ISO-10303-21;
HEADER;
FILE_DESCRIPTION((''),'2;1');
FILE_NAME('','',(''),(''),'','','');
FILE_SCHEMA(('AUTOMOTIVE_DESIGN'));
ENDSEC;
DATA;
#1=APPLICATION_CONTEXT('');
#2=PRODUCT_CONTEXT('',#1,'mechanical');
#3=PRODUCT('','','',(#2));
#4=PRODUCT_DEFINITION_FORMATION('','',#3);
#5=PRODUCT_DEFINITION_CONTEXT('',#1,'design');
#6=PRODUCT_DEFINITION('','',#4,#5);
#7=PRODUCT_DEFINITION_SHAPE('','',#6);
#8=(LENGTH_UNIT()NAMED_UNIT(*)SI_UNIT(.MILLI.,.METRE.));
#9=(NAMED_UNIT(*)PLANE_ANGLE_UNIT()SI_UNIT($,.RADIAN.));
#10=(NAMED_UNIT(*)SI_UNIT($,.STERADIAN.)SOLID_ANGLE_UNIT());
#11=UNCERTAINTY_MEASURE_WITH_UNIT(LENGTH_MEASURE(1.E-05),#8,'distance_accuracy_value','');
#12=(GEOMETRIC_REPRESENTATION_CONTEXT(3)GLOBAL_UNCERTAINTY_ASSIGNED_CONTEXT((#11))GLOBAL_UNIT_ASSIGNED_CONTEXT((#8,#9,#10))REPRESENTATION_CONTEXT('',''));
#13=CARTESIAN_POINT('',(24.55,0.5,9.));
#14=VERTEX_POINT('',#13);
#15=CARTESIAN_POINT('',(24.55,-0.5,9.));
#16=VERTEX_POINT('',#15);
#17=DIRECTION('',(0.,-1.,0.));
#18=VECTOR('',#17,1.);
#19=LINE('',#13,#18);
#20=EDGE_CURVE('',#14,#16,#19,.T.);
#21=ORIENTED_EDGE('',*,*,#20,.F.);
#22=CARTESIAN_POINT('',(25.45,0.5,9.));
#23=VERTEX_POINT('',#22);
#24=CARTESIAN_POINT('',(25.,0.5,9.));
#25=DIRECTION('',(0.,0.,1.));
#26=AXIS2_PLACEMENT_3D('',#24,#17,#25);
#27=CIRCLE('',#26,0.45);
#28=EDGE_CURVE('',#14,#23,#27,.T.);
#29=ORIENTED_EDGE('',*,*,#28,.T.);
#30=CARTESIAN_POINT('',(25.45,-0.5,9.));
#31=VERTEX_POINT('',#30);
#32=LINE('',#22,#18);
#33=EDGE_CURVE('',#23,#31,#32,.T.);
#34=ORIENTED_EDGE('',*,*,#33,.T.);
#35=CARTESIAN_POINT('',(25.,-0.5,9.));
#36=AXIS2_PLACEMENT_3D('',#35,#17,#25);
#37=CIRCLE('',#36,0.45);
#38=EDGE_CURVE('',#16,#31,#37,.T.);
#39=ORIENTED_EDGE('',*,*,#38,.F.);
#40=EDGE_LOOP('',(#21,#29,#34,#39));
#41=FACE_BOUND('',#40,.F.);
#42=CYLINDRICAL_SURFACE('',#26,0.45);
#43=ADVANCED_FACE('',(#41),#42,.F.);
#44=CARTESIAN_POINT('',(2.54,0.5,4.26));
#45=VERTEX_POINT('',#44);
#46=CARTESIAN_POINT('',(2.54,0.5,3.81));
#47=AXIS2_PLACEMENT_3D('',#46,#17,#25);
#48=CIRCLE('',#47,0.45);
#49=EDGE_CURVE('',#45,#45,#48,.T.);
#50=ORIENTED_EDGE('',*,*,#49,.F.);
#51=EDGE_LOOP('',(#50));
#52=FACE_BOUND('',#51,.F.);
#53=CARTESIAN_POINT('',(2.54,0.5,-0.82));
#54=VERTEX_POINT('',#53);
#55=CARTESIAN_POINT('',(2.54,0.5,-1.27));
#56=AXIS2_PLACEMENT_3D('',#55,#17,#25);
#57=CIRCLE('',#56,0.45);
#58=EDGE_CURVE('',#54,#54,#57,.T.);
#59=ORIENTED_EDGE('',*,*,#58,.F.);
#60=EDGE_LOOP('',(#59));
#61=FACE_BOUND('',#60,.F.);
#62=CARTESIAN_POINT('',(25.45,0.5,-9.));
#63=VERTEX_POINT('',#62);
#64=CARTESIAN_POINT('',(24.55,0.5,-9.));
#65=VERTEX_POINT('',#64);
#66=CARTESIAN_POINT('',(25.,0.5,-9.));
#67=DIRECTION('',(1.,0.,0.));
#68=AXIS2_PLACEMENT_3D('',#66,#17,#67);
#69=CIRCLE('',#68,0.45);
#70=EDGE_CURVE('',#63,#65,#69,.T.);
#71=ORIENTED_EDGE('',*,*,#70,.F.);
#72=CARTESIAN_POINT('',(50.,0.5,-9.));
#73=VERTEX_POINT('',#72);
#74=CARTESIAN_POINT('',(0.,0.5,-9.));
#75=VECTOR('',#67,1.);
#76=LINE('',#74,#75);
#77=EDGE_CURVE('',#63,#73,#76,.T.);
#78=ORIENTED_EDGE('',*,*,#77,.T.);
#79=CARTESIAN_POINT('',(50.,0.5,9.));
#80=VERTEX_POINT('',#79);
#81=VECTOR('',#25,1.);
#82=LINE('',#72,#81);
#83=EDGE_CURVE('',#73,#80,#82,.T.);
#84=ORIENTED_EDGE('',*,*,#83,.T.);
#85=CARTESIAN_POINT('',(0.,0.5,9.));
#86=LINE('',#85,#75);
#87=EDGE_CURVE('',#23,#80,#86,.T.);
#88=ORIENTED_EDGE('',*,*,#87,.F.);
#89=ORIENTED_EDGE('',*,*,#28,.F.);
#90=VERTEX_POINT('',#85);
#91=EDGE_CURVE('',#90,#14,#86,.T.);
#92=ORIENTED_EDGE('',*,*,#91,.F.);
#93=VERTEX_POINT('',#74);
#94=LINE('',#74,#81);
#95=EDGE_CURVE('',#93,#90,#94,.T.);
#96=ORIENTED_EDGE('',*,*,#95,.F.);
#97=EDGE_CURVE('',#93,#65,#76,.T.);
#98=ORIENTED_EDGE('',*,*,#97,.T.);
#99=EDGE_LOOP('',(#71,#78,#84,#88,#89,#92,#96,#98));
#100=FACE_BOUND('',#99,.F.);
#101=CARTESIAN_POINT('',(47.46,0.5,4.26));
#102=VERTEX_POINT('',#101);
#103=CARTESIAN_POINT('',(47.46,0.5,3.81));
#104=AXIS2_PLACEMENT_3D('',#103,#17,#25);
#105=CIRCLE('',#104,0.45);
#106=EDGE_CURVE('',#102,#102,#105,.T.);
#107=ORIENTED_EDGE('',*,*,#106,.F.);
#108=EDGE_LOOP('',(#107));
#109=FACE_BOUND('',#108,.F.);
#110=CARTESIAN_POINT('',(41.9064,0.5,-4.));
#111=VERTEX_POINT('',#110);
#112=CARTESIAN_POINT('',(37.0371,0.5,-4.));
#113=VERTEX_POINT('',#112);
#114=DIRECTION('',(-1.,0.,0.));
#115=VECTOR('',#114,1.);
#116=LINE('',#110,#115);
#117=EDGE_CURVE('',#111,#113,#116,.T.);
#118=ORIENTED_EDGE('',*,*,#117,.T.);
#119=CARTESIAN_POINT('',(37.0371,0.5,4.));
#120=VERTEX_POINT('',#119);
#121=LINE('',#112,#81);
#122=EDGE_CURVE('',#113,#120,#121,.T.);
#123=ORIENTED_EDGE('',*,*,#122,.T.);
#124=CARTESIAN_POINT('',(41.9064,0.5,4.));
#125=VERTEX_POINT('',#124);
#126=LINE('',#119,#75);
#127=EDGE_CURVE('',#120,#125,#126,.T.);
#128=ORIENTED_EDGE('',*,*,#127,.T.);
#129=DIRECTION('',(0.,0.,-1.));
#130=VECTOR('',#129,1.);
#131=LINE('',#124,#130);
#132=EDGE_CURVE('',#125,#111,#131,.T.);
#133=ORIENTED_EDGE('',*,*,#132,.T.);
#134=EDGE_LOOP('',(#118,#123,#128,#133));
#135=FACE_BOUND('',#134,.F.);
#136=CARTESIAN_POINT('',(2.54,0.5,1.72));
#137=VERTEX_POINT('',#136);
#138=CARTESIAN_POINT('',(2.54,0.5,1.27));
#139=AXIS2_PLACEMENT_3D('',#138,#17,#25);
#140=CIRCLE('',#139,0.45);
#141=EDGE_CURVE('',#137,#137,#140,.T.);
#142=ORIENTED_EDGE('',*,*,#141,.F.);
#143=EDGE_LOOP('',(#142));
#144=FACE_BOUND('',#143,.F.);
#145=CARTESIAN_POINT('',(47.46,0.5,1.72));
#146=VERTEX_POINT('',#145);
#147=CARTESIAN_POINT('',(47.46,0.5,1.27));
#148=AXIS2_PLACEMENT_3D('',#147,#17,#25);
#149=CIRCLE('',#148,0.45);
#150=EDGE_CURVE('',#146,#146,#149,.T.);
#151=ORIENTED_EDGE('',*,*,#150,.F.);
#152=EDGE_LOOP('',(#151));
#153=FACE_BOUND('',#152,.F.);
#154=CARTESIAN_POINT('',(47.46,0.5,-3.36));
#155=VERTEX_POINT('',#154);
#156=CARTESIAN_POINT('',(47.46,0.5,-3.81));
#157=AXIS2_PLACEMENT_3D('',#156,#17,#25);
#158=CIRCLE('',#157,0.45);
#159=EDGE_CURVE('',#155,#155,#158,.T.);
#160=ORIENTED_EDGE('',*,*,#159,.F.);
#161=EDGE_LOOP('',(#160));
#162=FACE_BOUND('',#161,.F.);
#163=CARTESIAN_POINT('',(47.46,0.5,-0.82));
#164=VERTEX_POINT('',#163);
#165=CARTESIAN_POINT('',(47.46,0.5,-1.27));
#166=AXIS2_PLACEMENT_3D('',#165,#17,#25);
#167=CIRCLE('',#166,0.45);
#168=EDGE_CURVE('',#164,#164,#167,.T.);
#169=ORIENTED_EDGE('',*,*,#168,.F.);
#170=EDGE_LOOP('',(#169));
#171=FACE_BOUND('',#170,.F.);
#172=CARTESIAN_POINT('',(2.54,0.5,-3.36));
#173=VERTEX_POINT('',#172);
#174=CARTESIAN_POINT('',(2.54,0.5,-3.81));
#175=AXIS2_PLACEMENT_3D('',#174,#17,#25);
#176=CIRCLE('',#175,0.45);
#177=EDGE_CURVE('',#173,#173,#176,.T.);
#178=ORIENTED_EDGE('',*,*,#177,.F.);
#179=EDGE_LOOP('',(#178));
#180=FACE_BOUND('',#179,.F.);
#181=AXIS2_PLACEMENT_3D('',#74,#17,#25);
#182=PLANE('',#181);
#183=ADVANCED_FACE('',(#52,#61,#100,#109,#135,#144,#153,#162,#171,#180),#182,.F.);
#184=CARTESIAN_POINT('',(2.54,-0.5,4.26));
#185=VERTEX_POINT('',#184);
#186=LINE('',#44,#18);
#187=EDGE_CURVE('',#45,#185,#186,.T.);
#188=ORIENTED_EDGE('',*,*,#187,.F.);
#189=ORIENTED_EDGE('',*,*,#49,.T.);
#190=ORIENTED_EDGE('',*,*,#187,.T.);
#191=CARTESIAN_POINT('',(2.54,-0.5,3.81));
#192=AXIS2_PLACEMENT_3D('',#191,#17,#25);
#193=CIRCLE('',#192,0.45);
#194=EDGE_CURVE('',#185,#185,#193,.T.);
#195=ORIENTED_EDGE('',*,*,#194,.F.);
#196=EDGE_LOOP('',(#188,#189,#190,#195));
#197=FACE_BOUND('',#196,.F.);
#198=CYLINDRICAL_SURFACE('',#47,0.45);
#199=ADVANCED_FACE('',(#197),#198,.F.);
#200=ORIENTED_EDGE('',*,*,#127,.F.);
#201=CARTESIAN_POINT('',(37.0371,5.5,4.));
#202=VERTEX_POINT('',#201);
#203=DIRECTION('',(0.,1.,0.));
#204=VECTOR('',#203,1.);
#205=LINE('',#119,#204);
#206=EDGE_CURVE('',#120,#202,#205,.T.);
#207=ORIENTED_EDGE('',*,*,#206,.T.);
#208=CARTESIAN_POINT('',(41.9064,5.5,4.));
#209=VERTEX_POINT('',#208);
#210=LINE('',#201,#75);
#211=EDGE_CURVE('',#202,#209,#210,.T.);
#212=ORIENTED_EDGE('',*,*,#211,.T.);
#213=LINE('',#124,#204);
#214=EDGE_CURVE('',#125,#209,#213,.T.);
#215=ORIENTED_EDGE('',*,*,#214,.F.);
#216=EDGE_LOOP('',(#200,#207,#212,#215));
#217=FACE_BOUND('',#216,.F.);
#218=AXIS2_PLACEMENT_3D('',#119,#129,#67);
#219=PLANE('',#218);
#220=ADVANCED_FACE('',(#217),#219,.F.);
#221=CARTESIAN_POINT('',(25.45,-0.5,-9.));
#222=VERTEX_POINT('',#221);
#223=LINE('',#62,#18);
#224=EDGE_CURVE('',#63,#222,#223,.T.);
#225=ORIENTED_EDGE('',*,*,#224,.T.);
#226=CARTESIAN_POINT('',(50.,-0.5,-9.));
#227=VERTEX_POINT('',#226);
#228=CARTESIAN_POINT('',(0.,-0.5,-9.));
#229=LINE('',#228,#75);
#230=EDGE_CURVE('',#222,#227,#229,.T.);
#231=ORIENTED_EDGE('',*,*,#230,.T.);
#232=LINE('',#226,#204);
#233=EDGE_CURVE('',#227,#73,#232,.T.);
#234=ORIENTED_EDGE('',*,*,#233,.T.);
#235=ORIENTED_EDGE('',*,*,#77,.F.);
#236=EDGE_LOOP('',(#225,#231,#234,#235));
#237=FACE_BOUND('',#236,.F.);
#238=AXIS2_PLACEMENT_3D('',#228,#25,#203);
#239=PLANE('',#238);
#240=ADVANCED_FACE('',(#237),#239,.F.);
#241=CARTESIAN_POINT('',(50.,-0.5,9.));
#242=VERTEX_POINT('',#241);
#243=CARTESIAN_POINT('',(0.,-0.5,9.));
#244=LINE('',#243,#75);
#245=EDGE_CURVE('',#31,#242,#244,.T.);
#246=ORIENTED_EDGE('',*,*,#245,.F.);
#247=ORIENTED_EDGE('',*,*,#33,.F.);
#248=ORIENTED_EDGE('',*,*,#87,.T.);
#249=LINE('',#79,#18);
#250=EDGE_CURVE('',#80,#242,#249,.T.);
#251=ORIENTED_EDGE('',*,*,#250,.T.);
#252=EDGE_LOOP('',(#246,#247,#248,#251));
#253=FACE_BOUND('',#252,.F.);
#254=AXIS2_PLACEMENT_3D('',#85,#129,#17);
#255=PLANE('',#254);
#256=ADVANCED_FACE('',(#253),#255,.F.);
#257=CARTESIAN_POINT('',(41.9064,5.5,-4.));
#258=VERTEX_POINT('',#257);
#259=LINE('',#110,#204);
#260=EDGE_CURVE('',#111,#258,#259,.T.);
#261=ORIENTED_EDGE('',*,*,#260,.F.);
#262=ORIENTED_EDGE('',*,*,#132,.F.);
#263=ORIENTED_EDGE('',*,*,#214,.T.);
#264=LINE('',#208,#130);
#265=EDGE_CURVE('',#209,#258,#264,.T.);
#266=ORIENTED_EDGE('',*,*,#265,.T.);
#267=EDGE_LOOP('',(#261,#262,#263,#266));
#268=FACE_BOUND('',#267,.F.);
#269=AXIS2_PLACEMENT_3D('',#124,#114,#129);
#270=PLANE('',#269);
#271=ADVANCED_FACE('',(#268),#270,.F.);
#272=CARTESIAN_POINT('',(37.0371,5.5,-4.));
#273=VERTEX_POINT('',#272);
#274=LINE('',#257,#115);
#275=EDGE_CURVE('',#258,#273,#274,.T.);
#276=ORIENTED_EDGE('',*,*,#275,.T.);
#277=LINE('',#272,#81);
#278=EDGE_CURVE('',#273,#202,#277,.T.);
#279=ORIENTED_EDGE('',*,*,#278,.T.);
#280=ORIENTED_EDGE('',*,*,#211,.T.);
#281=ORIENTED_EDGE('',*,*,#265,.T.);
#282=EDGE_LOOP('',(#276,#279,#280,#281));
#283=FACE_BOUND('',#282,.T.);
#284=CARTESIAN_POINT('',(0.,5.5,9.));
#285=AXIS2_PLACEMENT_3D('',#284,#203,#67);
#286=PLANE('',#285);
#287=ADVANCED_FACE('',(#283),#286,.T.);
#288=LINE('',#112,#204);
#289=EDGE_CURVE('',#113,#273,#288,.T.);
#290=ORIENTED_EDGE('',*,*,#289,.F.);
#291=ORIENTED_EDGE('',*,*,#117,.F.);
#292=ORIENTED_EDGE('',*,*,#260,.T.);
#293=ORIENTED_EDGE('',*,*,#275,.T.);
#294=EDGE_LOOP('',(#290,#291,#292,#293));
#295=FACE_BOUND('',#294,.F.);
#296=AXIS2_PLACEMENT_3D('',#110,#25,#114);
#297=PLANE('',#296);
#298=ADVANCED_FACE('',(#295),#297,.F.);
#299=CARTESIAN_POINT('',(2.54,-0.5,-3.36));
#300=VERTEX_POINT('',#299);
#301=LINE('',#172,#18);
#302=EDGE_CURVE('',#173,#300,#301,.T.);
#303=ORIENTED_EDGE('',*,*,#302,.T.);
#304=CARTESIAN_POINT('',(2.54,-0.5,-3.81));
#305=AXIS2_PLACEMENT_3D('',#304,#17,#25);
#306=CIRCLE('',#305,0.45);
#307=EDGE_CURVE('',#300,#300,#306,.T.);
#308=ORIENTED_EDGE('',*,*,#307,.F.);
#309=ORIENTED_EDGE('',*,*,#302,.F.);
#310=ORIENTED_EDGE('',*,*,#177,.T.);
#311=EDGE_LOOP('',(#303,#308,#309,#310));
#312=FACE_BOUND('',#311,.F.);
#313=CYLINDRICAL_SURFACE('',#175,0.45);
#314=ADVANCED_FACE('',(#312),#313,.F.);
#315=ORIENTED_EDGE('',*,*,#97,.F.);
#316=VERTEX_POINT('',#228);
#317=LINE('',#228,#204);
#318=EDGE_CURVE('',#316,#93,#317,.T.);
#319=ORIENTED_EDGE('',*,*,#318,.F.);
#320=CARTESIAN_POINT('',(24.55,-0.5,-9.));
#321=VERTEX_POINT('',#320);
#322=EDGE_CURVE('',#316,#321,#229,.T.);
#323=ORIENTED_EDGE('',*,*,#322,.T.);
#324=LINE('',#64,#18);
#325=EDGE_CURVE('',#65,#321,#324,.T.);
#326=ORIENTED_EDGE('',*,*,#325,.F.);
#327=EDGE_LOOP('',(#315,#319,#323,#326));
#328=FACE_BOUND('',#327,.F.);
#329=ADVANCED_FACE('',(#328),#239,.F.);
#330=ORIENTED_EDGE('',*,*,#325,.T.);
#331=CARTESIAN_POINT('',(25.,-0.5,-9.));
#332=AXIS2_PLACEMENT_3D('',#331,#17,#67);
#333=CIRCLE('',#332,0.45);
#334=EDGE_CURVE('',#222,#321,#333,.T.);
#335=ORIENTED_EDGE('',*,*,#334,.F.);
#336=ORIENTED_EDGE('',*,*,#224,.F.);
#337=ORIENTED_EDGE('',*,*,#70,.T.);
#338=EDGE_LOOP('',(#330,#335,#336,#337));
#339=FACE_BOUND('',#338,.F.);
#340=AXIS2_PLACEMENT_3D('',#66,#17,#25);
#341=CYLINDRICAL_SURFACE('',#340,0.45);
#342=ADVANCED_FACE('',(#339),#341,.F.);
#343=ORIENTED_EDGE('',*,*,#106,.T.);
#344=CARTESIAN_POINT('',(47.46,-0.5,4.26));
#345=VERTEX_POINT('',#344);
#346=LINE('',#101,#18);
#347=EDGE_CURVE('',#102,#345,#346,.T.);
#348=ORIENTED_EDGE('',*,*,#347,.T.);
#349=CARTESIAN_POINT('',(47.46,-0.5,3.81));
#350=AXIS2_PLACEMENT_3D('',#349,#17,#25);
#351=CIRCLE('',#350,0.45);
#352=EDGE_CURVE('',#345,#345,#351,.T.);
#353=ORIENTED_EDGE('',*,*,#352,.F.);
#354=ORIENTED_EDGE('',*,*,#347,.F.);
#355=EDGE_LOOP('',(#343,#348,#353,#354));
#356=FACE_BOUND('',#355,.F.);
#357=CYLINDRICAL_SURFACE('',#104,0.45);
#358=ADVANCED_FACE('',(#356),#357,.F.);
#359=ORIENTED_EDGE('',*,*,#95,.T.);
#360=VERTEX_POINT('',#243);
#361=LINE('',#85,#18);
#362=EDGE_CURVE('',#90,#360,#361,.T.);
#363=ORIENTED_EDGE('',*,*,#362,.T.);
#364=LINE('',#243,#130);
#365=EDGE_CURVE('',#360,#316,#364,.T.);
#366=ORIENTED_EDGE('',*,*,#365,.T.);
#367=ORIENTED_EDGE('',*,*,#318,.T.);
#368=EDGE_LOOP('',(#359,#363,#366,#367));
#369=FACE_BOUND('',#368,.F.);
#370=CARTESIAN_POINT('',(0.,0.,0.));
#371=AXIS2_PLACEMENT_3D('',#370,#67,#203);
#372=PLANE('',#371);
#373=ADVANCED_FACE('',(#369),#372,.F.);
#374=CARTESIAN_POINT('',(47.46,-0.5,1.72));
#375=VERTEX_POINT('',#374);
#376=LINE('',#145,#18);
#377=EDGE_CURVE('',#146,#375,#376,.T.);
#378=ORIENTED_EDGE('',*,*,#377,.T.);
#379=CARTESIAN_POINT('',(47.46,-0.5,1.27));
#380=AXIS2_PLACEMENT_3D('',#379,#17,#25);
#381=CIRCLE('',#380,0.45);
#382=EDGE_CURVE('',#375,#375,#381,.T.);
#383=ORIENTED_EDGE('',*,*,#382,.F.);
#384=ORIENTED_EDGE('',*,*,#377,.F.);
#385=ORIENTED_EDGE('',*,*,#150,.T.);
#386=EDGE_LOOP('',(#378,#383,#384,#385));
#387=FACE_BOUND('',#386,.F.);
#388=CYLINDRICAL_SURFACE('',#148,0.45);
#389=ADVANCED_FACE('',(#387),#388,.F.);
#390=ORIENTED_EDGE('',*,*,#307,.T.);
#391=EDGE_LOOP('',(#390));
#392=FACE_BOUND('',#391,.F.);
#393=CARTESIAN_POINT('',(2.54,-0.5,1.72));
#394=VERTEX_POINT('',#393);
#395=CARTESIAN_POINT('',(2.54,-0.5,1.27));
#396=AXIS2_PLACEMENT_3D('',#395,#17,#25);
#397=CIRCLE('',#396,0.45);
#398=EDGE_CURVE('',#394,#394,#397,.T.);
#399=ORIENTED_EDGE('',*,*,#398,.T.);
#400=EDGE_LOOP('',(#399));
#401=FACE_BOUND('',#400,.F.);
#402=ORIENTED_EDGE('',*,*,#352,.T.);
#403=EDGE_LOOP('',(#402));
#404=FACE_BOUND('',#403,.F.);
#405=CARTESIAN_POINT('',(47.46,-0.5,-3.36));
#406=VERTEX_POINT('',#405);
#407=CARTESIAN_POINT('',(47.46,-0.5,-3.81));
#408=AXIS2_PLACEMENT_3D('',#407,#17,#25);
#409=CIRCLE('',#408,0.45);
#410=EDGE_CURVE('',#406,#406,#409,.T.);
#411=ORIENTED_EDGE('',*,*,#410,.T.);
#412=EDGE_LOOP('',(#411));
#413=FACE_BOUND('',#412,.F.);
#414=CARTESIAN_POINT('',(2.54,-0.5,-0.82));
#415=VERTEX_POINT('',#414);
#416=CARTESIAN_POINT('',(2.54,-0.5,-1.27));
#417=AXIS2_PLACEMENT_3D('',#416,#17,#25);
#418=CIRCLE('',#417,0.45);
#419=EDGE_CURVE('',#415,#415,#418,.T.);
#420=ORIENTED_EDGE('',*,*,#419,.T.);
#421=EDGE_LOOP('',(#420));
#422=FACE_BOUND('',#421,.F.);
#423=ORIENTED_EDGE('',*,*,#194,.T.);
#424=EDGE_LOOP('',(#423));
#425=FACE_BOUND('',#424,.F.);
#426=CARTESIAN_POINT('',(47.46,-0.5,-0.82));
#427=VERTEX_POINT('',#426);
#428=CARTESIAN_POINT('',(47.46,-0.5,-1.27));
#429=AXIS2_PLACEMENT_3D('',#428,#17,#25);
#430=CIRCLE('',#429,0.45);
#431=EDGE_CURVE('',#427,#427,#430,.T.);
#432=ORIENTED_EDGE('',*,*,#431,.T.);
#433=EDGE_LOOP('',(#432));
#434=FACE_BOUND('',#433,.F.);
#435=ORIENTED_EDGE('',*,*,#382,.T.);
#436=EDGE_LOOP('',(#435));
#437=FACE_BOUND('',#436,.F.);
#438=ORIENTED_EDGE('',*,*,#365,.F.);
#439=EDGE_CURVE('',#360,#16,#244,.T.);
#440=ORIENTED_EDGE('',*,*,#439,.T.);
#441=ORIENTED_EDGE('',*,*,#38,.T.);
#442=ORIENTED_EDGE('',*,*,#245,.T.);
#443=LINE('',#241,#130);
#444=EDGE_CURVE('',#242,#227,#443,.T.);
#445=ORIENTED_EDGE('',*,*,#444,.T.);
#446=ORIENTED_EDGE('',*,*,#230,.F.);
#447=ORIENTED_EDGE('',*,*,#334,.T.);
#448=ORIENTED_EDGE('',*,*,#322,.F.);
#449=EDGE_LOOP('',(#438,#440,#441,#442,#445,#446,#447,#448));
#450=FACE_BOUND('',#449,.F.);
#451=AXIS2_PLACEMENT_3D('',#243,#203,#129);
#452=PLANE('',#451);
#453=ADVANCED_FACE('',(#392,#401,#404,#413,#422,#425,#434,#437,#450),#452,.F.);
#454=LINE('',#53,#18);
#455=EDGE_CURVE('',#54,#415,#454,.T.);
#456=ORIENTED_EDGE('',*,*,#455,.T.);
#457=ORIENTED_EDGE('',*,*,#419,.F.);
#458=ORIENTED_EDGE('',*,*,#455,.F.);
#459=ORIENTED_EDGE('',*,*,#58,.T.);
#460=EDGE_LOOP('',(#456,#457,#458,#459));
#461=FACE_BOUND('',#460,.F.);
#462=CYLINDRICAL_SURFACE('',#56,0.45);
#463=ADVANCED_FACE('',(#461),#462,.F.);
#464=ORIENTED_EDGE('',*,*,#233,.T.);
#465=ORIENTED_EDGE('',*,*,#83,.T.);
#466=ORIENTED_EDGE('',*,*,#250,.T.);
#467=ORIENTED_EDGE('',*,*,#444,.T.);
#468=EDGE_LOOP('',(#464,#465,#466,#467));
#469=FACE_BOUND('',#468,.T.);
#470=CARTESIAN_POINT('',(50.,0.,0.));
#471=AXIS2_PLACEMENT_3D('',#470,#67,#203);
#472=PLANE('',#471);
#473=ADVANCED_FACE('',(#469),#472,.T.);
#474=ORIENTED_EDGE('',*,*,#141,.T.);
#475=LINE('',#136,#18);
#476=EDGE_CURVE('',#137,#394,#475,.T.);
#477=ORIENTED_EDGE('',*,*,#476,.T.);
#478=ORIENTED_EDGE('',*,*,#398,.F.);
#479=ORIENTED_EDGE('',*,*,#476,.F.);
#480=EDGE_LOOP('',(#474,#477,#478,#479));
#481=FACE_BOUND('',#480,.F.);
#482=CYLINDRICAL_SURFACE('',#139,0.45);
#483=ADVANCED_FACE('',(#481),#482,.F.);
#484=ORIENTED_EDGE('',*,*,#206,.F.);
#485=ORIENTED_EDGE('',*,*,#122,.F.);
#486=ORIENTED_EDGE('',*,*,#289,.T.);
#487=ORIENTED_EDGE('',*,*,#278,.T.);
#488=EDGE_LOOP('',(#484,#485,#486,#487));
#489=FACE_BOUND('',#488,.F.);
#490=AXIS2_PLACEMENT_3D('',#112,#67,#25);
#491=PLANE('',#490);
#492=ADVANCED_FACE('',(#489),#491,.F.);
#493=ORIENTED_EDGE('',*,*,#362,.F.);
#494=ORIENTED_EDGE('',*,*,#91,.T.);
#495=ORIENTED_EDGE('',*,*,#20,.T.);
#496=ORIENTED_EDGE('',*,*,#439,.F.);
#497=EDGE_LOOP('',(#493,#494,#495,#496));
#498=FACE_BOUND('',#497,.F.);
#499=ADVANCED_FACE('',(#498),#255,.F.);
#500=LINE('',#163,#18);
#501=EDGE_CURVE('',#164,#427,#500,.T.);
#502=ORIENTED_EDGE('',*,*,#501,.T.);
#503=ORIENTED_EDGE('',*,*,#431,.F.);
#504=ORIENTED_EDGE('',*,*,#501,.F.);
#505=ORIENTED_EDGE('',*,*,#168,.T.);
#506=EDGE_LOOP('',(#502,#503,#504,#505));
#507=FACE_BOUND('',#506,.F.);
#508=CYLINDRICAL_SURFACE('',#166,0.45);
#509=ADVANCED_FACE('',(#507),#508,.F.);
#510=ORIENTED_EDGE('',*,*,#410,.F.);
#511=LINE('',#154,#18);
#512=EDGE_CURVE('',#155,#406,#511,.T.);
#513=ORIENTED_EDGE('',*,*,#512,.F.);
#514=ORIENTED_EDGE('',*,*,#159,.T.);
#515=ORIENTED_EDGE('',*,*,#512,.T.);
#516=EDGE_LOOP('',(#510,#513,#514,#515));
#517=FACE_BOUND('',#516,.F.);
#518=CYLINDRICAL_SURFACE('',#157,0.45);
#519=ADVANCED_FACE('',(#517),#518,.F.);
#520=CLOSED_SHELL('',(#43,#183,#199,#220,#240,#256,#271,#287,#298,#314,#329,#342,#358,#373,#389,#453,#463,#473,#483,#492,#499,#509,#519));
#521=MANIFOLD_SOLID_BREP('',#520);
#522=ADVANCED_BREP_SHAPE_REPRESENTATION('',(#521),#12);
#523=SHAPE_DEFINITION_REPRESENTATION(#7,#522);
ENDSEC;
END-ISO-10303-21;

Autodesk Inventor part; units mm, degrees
ref_plane "YZ Plane" through (0, 0, 0) normal (1, 0, 0) x (0, 1, 0)
ref_plane "XZ Plane" through (0, 0, 0) normal (0, 1, 0) x (-1, 0, 0)
ref_plane "XY Plane" through (0, 0, 0) normal (0, 0, 1) x (1, 0, 0)
sketch "Boceto1" plane through (0, 0, 0) normal (1, 0, 0) x (0, 1, 0)
  line L0 (0.5, 9) -> (-0.5, 9)
  line L1 (-0.5, 9) -> (-0.5, -9)
  line L2 (-0.5, -9) -> (0.5, -9)
  line L3 (0.5, -9) -> (0.5, 9)
  point P0 (0, 0)
  dimension "d0" = 1
  dimension "d1" = 18
  dimension "d2" = 9
  dimension "d3" = 0.5
extrude "Extrusión1" add sketch "Boceto1" along normal blind 50
sketch "Boceto2" plane through (0, 0.5, 9) normal (0, 1, 0) x (1, 0, 0)
  line L0 (0, 0) -> (50, 0) projected
  line L1 (0, 18) -> (50, 18) projected
  line L2 (0, 18) -> (0, 0) projected
  line L3 (25, 0) -> (25, 18)
  line L4 (0, 0) -> (50, 0) projected
  point P0 (0, 9)
  point P1 (2.54, 5.19)
  point P2 (2.54, 7.73)
  point P3 (2.54, 10.27)
  point P4 (2.54, 12.81)
  point P5 (47.46, 5.19)
  point P6 (47.46, 7.73)
  point P7 (47.46, 10.27)
  point P8 (47.46, 12.81)
  dimension "d6" = 5.19
  dimension "d8" = 2.54
  dimension "d9" = 2.54
  dimension "d10" = 2.54
  dimension "d11" = 2.54
hole "Agujero1" at (2.54, 0.5, 3.81) at (2.54, 0.5, 1.27) at (2.54, 0.5, -1.27) at (2.54, 0.5, -3.81) at (25, 0.5, 9) at (25, 0.5, -9) at (47.46, 0.5, -3.81) at (47.46, 0.5, -1.27) at (47.46, 0.5, 1.27) at (47.46, 0.5, 3.81) direction (0, -1, 0) diameter 0.9 end through all
sketch "Boceto3" plane through (0, 0.5, 9) normal (0, 1, 0) x (1, 0, 0)
  line L0 (37.0371, 5) -> (41.9064, 5)
  line L1 (41.9064, 5) -> (41.9064, 13)
  line L2 (41.9064, 13) -> (37.0371, 13)
  line L3 (37.0371, 13) -> (37.0371, 5)
  line L4 (25.45, 0) -> (50, 0) projected
  line L5 (25.45, 18) -> (50, 18) projected
  point P0 (0, 9)
  dimension "d19" = 5
  dimension "d20" = 5
extrude "Extrusión2" add sketch "Boceto3" along normal blind 5
properties part number "MAX485"
